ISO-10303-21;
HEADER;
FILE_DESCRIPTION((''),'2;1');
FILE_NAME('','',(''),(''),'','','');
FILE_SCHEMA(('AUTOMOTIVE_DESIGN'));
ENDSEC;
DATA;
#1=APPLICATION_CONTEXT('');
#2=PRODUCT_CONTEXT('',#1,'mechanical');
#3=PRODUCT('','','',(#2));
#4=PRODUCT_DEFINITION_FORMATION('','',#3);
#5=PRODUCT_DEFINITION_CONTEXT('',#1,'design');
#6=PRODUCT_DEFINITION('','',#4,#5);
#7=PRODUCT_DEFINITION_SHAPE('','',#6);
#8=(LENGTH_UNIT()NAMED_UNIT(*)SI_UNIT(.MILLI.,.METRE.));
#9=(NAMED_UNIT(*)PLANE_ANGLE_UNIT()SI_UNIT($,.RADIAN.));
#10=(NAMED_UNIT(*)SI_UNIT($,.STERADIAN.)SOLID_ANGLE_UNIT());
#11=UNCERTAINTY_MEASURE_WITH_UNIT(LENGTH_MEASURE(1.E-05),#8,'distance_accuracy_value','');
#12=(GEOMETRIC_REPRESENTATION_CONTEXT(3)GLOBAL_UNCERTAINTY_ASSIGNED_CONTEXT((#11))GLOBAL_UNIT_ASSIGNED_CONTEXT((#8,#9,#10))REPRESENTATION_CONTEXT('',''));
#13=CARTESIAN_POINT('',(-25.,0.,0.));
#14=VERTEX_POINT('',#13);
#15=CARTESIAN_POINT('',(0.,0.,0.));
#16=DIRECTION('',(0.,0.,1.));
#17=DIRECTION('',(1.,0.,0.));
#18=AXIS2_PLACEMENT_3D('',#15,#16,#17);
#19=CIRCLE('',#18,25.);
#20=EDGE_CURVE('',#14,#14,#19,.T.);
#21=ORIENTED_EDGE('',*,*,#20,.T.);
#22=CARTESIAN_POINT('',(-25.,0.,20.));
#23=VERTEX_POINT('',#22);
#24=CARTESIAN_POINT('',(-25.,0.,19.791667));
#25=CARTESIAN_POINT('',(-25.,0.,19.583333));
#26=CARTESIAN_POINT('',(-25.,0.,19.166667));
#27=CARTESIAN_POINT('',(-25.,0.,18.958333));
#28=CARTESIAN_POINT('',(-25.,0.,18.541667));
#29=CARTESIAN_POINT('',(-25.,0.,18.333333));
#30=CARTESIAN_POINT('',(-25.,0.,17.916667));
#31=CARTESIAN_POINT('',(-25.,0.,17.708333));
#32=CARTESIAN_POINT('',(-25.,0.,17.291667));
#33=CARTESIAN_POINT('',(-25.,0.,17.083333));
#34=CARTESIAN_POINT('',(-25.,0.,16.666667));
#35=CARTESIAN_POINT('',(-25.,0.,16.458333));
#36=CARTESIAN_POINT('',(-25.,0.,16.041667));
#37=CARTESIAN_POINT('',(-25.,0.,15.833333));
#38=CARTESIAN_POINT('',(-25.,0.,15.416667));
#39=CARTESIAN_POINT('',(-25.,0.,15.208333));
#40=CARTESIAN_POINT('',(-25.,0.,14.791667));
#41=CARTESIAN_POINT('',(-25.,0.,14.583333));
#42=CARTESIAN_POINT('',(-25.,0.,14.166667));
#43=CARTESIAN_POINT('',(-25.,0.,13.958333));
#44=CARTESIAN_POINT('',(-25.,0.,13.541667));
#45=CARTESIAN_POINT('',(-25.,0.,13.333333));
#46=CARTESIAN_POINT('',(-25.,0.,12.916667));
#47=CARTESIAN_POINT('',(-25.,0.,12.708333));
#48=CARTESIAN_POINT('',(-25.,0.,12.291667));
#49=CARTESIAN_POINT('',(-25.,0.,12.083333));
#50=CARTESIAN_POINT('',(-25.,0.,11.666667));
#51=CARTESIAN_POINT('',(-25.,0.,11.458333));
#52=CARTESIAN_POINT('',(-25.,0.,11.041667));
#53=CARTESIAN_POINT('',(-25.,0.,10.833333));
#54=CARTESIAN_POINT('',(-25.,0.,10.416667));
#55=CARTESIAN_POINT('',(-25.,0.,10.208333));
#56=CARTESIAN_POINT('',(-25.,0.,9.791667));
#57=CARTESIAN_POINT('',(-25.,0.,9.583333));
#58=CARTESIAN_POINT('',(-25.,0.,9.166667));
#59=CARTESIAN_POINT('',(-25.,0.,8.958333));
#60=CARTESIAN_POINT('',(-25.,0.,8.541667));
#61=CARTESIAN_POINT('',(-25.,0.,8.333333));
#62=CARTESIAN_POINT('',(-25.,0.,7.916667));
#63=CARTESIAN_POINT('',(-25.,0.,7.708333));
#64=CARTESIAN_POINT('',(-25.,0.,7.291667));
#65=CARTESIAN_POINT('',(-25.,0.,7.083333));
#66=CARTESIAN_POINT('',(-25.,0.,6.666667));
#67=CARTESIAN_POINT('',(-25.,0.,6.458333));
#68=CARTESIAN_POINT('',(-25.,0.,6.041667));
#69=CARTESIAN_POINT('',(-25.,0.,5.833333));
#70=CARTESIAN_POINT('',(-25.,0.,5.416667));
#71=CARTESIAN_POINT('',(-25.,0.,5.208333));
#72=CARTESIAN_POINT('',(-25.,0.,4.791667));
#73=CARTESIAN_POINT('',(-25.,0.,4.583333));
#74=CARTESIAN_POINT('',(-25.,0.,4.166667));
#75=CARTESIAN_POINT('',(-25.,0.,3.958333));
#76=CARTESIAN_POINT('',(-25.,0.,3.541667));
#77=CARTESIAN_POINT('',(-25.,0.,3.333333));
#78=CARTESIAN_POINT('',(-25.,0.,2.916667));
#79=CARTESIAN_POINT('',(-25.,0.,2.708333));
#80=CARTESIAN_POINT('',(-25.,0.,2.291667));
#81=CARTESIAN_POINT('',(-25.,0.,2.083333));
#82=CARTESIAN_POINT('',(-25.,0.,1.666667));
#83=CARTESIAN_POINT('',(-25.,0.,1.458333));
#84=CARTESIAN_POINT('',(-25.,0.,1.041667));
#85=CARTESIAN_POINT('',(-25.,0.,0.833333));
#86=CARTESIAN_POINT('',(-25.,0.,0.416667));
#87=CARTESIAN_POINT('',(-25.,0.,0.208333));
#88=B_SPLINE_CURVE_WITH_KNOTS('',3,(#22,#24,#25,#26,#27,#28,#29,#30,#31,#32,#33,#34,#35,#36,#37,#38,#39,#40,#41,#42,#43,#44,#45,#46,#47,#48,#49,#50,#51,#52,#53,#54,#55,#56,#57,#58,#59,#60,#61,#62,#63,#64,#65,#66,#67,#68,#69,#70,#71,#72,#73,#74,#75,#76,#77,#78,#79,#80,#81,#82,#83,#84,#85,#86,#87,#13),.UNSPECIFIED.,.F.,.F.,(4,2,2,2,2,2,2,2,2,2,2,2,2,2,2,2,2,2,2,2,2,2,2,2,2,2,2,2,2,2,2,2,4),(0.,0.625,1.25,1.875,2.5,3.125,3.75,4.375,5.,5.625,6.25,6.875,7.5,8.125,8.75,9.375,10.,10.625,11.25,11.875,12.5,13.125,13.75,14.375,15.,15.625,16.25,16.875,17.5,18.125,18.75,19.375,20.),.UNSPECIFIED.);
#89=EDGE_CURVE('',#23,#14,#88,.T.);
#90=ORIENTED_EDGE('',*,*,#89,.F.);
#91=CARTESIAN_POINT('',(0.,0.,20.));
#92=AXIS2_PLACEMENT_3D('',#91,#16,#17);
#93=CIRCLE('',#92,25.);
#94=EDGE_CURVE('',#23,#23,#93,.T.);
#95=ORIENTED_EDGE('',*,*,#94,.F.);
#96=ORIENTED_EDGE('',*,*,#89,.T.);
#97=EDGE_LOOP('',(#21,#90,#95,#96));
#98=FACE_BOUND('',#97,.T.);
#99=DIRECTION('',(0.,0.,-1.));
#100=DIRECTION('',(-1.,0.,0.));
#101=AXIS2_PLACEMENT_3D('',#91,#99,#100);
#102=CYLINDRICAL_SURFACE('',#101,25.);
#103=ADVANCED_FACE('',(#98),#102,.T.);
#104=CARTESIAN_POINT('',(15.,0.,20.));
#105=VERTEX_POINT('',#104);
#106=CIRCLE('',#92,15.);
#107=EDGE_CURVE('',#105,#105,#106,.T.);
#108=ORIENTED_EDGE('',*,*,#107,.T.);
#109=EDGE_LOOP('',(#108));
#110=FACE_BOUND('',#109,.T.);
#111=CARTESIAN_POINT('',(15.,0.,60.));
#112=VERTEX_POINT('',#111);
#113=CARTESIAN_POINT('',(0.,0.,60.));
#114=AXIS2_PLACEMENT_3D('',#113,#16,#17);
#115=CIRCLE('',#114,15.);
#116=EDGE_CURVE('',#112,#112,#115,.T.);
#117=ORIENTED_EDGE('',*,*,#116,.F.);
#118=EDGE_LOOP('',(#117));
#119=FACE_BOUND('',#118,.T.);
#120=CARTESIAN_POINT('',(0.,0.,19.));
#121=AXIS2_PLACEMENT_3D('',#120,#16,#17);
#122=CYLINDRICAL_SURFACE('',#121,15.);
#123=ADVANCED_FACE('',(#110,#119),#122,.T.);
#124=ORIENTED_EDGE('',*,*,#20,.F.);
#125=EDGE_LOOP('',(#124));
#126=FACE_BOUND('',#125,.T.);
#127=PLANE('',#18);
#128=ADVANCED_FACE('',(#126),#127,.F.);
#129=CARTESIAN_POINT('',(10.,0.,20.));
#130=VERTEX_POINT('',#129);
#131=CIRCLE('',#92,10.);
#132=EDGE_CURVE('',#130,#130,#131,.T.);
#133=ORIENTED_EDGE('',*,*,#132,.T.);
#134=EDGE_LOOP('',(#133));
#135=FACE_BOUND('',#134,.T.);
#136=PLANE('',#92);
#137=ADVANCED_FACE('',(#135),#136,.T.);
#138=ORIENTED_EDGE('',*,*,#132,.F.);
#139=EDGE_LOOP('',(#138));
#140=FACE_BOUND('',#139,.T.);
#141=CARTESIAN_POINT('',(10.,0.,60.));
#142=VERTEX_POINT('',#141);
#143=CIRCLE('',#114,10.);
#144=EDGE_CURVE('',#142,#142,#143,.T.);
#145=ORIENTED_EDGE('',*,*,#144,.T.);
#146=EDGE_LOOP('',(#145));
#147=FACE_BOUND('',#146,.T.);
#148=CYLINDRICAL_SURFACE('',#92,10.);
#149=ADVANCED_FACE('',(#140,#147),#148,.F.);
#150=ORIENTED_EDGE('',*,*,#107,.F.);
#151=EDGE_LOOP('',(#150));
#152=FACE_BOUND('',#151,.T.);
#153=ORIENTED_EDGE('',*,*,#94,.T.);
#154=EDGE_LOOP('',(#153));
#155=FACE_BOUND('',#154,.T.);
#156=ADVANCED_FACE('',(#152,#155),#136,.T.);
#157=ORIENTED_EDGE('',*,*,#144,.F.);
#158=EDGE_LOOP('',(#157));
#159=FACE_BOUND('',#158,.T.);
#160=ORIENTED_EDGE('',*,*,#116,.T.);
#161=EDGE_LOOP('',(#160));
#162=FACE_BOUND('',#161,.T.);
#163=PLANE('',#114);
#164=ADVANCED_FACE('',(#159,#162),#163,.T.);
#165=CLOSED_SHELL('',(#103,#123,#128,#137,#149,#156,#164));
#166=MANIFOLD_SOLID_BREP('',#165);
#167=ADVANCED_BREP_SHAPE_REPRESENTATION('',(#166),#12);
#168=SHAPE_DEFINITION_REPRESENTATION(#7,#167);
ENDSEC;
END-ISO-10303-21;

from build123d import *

# Parameters (mm, degrees)
CROQUIS1_R                   = 25
SALIENTE_EXTRUIR1_DEPTH      = 20
SALIENTE_EXTRUIR2_DEPTH      = 40
SALIENTE_EXTRUIR2_DEPTH_BACK = 1
CROQUIS2_R                   = 15
CROQUIS3_R                   = 10
CORTAR_EXTRUIR1_DEPTH        = 40


with BuildPart() as part:
    # Croquis1 → Saliente-Extruir1 (new body)
    with BuildSketch(Plane.XY):
        with Locations(Location((0, 0, 0), (0, 0, 180))):
            Circle(CROQUIS1_R)
    extrude(amount=SALIENTE_EXTRUIR1_DEPTH)

    # Croquis2 → Saliente-Extruir2 (add, two sides: drawn at the far end of the back side and taken through both)
    with BuildSketch(Plane.XY.offset(20).offset(-SALIENTE_EXTRUIR2_DEPTH_BACK)):
        Circle(CROQUIS2_R)
    extrude(amount=SALIENTE_EXTRUIR2_DEPTH + SALIENTE_EXTRUIR2_DEPTH_BACK)

    # Croquis3 → Cortar-Extruir1 (cut)
    with BuildSketch(Plane.XY.offset(60)):
        Circle(CROQUIS3_R)
    extrude(amount=-CORTAR_EXTRUIR1_DEPTH, mode=Mode.SUBTRACT)


solid = part.part
